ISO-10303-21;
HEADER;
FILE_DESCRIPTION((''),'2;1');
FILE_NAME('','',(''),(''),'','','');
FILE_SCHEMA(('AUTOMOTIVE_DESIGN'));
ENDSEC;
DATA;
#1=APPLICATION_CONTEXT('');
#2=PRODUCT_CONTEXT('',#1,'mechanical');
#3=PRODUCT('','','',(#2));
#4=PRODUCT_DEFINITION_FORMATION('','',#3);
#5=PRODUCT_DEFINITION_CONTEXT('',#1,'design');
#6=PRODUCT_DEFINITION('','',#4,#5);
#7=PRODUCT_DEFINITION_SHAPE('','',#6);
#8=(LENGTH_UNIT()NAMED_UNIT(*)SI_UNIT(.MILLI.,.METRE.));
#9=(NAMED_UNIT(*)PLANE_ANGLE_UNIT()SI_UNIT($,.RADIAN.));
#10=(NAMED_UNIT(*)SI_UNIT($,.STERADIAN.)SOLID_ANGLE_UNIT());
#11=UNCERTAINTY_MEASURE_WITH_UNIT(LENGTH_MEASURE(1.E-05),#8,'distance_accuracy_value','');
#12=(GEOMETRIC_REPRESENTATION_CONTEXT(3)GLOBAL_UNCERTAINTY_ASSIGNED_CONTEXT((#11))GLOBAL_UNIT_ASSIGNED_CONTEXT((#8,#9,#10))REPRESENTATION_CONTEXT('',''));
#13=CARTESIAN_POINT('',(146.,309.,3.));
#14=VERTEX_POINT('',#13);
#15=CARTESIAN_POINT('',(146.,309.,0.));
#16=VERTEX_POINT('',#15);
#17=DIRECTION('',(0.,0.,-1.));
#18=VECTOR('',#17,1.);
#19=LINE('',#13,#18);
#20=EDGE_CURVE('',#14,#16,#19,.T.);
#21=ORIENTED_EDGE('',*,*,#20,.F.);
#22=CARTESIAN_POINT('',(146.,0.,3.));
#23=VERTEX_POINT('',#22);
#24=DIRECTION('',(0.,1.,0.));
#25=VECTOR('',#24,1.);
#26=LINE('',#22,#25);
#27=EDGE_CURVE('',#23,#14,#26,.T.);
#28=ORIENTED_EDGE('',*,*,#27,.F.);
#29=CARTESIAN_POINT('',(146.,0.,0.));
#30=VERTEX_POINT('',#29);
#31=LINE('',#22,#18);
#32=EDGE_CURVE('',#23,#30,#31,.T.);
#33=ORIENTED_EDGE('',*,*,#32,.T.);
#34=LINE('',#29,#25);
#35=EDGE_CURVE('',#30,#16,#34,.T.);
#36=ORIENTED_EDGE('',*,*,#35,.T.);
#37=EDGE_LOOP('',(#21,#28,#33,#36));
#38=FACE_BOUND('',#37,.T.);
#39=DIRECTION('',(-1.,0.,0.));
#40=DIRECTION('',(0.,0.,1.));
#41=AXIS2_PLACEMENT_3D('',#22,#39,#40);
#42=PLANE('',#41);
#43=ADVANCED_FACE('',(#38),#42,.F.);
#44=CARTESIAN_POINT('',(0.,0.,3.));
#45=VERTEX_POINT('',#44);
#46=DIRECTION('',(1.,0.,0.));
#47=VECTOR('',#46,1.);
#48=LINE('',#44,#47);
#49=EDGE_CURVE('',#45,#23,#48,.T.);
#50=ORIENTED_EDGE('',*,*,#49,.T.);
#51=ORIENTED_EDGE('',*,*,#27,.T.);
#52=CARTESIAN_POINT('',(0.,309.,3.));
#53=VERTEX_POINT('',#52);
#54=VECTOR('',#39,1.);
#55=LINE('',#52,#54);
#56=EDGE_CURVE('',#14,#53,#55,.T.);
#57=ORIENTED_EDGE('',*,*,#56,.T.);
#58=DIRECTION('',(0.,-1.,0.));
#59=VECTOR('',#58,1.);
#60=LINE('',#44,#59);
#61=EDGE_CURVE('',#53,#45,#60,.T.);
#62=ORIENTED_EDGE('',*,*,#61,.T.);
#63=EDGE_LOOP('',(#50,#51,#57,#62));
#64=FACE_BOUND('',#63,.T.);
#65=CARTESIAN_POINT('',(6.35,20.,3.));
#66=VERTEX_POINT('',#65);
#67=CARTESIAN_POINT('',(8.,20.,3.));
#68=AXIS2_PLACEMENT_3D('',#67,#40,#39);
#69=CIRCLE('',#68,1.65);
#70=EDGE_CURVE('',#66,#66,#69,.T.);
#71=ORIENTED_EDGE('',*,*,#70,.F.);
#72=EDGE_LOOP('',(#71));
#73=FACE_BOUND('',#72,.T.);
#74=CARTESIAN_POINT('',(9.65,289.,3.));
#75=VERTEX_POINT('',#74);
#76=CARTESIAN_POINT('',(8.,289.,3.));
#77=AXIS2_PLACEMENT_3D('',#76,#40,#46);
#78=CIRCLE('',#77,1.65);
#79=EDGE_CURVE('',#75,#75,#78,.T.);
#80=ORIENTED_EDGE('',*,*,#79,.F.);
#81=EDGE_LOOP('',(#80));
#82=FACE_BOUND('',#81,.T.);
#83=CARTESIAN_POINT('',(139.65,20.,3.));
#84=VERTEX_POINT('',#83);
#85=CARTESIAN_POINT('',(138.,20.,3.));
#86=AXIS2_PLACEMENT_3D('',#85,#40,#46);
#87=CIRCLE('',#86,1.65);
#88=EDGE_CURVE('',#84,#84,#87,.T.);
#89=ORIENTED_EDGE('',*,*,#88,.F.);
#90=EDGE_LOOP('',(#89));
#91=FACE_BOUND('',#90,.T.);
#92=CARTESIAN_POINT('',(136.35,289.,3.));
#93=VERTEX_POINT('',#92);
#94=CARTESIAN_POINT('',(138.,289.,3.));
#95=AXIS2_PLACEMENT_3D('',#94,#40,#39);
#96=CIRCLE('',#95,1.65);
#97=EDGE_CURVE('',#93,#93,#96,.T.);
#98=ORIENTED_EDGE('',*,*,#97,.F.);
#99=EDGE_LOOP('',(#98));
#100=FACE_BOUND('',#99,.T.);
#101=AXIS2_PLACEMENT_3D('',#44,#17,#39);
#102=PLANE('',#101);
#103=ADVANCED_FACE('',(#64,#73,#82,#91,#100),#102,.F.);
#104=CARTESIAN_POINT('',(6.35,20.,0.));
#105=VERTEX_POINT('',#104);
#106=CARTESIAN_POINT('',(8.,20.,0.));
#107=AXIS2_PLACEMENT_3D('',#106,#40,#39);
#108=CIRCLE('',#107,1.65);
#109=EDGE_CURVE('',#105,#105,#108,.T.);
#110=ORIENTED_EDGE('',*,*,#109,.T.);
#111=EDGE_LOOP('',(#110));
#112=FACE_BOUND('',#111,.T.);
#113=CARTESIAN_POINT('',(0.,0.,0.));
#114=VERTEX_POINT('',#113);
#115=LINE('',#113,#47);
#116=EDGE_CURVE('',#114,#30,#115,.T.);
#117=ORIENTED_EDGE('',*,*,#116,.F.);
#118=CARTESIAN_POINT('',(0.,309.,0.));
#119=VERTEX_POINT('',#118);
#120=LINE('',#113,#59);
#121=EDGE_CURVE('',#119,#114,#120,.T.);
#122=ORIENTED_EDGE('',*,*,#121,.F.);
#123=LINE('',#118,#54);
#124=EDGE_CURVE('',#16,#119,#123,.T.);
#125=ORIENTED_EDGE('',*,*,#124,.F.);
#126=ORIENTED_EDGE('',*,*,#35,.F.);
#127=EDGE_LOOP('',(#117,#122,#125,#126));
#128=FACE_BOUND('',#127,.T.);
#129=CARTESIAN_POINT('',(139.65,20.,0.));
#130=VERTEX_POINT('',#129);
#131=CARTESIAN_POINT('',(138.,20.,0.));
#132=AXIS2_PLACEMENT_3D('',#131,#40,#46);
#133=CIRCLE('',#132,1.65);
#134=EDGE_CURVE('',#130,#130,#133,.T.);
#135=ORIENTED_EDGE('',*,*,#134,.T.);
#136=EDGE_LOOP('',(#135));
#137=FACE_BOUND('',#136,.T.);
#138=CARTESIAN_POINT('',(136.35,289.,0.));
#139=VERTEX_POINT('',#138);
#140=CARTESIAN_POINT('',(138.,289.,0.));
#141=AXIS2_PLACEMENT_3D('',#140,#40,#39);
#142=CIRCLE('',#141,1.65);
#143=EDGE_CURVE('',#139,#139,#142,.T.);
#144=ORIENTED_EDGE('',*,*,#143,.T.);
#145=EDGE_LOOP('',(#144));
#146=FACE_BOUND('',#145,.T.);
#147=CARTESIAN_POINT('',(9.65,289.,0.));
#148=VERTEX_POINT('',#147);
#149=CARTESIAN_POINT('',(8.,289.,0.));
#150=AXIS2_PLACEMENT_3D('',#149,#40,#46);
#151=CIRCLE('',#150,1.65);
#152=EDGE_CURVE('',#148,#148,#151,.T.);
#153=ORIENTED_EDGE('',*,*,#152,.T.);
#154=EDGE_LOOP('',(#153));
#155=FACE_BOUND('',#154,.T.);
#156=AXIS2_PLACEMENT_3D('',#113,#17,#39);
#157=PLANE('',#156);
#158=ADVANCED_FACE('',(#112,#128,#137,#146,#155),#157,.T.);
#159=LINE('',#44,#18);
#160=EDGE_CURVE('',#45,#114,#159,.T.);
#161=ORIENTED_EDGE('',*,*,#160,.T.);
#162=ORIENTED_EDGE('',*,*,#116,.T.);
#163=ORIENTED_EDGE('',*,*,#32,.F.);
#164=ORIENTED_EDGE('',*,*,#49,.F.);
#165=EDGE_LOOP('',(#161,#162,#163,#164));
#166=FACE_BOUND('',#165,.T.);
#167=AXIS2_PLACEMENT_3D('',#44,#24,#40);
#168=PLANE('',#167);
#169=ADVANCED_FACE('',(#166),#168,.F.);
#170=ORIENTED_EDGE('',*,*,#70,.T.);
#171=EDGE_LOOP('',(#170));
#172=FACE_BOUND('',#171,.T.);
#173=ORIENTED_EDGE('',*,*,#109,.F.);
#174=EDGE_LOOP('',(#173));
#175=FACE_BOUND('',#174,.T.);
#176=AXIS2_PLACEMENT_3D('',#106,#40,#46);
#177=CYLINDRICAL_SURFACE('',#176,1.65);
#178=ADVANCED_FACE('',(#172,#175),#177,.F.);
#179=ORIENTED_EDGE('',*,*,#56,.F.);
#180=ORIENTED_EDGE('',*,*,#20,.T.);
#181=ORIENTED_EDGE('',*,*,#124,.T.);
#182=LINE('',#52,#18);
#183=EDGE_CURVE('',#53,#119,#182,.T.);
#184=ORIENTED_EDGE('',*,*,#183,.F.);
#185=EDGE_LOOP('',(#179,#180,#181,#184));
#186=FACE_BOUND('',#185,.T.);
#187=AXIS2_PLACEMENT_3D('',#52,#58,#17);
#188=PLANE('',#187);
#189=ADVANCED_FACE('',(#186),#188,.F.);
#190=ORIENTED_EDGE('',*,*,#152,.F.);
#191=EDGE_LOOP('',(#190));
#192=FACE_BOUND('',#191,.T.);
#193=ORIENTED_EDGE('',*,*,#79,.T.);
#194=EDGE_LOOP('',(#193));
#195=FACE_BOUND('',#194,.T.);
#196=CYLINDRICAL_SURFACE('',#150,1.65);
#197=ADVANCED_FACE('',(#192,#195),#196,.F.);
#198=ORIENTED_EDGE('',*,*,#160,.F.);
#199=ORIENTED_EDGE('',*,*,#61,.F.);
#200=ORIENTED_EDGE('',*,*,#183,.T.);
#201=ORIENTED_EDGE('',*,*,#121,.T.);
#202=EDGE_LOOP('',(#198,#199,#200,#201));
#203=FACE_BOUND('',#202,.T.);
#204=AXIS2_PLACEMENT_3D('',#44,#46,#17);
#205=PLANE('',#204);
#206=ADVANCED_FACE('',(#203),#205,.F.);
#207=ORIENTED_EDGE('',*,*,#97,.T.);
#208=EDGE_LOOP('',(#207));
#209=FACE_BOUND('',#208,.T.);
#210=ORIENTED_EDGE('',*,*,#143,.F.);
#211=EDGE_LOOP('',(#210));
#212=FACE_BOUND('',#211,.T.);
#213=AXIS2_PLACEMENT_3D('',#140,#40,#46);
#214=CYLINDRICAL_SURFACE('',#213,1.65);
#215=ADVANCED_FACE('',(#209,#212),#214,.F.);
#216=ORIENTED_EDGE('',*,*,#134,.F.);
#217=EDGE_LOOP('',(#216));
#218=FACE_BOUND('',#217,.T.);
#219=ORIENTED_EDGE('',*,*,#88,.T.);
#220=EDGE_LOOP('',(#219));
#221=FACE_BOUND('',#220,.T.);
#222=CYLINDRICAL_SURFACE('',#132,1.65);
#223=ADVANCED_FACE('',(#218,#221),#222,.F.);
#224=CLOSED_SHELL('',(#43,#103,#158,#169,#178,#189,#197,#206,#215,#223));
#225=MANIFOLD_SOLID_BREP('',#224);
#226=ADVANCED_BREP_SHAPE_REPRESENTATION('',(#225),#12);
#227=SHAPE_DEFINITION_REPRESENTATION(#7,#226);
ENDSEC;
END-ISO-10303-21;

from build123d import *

# Parameters (mm, degrees)
ESQUISSE1_W             = 146
ESQUISSE1_H             = 309
BOSS_EXTRU_1_DEPTH      = 3
ESQUISSE2_R             = 1.65
ENL_V_MAT_EXTRU_1_DEPTH = 4


with BuildPart() as part:
    # Esquisse1 → Boss.-Extru.1 (new body)
    with BuildSketch(Plane.XY):
        with Locations((73, 154.5)):
            Rectangle(ESQUISSE1_W, ESQUISSE1_H)
    extrude(amount=BOSS_EXTRU_1_DEPTH)

    # Esquisse2 → Enlèv. mat.-Extru.1 (cut, through all)
    with BuildSketch(Plane.XY.offset(3)):
        with Locations((8, 289)):
            Circle(ESQUISSE2_R)
        with Locations((138, 289)):
            Circle(ESQUISSE2_R)
        with Locations((138, 20)):
            Circle(ESQUISSE2_R)
        with Locations((8, 20)):
            Circle(ESQUISSE2_R)
    extrude(amount=-ENL_V_MAT_EXTRU_1_DEPTH, mode=Mode.SUBTRACT)


solid = part.part
